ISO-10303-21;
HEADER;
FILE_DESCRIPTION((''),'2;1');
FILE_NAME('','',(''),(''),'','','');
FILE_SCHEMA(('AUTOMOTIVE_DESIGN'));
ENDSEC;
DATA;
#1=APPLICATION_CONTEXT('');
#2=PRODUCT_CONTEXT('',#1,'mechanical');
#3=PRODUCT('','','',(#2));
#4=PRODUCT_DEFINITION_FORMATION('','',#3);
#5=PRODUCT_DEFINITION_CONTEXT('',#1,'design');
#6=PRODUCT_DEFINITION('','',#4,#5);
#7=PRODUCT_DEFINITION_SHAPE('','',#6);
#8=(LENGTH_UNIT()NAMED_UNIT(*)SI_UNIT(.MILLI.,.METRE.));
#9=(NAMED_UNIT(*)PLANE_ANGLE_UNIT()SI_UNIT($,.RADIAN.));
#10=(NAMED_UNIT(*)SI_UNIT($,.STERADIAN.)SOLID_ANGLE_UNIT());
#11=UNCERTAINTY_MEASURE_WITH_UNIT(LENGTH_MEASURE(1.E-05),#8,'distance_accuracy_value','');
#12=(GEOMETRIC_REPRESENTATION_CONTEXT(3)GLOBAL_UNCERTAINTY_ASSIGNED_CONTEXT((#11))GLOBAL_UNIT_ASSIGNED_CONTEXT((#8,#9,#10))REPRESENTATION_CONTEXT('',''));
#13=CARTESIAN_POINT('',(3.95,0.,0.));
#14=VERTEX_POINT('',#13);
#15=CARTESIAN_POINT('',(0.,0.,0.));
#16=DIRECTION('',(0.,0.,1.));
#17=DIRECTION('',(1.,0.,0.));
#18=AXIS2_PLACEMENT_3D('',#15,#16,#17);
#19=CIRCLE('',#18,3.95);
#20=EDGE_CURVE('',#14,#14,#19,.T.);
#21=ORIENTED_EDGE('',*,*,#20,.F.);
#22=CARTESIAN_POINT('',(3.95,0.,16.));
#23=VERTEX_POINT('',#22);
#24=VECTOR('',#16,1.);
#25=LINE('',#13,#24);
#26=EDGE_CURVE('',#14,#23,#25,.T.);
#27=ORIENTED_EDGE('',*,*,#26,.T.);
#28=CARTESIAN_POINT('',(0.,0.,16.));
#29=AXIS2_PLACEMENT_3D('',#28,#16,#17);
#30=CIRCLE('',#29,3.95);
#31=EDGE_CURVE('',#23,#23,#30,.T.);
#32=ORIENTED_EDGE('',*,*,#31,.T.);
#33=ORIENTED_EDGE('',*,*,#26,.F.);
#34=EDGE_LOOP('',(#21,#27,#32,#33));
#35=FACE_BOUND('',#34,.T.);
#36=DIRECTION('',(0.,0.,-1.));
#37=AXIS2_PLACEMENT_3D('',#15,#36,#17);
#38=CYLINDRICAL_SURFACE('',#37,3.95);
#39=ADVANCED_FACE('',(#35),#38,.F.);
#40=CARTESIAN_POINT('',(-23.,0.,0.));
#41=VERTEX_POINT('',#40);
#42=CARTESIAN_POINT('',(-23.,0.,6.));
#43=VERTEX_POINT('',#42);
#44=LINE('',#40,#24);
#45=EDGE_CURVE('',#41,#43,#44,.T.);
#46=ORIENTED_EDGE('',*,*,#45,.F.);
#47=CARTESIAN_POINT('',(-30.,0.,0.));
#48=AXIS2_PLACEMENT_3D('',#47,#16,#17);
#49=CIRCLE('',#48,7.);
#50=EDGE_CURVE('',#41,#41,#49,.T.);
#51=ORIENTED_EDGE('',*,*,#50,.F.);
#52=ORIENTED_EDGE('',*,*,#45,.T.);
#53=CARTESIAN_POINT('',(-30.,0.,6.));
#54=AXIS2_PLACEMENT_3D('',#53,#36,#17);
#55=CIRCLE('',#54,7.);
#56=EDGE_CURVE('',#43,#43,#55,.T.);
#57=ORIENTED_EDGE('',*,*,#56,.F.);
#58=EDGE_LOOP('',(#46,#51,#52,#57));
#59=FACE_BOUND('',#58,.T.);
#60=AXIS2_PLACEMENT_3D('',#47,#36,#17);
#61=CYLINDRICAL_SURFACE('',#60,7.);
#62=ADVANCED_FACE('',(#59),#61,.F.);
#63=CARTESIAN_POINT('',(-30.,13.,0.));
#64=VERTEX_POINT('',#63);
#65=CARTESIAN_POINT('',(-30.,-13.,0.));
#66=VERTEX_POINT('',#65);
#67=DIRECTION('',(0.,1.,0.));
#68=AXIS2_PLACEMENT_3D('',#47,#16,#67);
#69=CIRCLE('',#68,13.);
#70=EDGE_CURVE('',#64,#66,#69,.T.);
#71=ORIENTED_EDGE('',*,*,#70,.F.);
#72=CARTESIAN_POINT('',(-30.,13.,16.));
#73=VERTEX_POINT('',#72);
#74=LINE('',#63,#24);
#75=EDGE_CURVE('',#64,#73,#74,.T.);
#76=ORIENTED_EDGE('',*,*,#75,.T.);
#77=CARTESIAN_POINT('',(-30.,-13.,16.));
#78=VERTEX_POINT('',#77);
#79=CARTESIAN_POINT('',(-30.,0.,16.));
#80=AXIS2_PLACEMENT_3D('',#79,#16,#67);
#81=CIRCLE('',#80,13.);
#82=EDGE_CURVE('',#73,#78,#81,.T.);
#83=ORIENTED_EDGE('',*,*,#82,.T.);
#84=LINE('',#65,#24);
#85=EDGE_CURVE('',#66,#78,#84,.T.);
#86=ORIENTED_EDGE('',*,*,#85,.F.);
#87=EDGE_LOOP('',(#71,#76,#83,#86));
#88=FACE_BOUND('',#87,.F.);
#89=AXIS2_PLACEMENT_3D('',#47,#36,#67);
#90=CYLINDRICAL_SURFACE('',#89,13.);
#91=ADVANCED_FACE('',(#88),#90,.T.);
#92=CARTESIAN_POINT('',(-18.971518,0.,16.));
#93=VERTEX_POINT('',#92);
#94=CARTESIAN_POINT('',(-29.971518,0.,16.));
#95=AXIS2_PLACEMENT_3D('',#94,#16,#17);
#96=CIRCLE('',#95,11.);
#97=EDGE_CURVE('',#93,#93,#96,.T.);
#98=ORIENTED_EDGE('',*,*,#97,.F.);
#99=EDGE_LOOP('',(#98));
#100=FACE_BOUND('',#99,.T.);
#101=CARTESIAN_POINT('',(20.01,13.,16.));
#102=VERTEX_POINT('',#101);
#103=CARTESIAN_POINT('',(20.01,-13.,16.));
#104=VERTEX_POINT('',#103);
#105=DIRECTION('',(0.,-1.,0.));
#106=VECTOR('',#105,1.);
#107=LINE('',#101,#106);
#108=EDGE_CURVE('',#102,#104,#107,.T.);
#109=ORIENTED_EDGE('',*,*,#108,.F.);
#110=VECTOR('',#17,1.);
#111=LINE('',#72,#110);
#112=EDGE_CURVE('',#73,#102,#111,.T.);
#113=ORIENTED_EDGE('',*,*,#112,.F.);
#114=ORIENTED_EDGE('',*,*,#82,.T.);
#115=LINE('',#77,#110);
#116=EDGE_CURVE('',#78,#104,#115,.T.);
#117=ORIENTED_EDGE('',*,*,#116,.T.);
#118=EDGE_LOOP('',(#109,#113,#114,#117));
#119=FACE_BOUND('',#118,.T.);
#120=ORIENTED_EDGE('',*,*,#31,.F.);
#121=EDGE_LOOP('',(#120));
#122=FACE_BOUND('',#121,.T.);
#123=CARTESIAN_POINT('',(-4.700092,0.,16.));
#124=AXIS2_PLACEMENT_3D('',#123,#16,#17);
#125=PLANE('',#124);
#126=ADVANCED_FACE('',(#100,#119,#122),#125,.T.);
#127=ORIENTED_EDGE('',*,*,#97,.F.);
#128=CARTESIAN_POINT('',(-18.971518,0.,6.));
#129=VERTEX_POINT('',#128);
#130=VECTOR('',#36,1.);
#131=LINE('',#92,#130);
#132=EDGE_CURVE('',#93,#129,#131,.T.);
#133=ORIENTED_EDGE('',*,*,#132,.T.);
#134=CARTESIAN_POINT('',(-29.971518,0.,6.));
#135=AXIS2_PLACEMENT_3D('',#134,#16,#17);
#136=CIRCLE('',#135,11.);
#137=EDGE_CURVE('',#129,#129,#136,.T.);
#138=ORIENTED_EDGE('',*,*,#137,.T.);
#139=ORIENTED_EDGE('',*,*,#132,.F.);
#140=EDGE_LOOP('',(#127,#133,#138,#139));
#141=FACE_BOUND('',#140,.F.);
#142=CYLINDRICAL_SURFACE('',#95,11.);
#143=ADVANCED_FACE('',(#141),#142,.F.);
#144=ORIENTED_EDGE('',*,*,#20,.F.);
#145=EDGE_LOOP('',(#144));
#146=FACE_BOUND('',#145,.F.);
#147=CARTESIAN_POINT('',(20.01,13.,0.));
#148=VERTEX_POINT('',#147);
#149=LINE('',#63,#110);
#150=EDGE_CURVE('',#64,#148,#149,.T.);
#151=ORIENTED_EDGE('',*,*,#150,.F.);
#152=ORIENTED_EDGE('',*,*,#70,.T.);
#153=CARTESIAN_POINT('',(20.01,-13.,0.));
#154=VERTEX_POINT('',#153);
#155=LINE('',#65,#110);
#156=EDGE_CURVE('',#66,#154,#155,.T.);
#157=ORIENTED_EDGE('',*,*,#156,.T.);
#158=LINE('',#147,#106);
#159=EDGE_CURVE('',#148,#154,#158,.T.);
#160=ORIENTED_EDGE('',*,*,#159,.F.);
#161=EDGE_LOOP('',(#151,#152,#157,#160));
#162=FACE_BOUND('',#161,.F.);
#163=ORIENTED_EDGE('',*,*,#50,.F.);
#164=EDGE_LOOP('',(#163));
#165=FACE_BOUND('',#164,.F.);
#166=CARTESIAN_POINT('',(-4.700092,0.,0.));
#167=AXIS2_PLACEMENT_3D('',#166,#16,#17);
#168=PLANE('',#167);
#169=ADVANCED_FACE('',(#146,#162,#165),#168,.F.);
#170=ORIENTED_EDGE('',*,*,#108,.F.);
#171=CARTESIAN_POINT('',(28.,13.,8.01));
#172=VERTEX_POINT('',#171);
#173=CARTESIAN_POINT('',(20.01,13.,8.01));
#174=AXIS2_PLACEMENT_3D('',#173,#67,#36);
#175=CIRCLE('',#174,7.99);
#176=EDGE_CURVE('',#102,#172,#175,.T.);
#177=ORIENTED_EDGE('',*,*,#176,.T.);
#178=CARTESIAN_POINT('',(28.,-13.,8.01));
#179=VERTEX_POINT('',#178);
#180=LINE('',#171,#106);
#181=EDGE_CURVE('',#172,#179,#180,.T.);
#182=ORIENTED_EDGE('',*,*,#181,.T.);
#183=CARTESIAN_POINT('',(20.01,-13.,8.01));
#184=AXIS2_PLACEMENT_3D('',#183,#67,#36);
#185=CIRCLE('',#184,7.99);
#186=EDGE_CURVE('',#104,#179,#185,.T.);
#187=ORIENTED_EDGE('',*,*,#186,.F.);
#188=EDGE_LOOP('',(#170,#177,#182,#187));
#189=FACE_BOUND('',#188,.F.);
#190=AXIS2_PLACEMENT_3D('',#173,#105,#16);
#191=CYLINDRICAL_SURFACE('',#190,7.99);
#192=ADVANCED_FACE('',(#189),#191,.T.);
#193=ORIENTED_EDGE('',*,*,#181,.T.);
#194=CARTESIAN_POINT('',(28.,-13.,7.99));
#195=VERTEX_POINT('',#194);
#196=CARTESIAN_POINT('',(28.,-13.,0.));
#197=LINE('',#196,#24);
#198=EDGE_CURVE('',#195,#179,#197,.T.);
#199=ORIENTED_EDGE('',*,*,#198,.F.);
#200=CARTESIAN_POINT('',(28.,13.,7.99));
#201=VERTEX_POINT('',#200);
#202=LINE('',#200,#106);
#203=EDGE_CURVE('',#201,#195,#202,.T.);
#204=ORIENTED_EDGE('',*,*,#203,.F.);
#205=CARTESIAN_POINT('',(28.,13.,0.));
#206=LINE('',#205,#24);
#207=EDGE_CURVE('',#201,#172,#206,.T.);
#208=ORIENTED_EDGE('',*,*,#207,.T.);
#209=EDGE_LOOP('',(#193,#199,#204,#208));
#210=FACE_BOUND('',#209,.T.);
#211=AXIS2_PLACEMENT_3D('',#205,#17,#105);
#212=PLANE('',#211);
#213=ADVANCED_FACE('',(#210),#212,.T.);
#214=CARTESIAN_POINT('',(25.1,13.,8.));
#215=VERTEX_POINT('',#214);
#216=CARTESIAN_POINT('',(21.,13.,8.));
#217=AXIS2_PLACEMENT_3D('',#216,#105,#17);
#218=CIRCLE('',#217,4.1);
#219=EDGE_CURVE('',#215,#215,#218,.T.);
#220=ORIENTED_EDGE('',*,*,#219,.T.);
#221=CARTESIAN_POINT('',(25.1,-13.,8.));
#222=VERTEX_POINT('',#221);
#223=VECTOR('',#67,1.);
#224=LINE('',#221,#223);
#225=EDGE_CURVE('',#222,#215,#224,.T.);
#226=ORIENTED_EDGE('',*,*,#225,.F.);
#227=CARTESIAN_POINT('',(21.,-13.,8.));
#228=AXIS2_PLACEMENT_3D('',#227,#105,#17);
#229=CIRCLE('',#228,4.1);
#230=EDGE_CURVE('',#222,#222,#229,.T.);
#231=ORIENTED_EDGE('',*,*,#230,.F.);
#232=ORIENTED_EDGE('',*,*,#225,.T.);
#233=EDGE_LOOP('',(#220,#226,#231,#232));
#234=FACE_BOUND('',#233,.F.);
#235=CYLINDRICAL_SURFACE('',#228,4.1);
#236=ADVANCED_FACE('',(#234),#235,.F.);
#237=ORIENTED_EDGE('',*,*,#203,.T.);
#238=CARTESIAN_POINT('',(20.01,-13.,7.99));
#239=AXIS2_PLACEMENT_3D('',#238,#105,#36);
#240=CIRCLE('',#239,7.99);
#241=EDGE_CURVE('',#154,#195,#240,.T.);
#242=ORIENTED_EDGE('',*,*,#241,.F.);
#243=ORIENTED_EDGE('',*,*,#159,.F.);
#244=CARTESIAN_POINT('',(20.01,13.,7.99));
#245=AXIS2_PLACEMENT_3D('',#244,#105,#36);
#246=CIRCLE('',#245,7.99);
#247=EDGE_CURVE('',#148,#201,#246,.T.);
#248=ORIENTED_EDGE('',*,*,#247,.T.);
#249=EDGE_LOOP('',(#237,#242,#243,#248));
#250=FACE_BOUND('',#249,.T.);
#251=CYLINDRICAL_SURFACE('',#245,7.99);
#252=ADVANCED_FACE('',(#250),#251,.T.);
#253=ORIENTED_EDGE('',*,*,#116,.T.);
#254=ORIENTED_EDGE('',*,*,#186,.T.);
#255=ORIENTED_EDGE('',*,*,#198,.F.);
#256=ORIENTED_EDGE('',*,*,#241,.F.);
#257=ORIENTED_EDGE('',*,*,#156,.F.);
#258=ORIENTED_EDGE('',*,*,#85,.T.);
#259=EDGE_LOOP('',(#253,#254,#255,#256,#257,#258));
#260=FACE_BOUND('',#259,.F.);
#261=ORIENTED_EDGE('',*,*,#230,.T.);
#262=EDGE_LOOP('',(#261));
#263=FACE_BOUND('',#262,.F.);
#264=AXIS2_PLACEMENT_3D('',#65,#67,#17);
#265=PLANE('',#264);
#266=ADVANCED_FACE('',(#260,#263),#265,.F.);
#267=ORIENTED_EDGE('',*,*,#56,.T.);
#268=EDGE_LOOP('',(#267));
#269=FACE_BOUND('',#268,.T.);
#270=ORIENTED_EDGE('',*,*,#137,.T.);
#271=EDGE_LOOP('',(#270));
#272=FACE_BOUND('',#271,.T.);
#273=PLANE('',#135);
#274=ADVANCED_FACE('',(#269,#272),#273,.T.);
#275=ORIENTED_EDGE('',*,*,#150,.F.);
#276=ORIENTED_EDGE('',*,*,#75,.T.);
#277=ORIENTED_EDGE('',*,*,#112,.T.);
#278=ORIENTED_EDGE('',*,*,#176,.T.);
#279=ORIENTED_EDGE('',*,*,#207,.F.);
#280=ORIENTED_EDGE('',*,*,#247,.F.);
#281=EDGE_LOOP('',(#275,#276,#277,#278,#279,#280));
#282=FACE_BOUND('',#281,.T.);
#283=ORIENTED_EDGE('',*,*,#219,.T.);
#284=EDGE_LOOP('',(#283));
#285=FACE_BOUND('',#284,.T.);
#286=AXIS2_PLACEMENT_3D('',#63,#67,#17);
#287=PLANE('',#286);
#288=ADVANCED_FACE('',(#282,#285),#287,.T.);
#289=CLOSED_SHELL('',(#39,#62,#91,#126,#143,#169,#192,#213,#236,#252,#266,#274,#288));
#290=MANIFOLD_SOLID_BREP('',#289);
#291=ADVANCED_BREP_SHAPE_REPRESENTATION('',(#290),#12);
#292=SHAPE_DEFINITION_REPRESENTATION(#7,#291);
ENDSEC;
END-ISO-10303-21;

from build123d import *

# Parameters (mm, degrees)
SKETCH002_R  = 11
PAD002_DEPTH = 10
SKETCH001_R  = 4.1
PAD001_DEPTH = 26
SKETCH_R     = 7
SKETCH_R_2   = 3.95
PAD_DEPTH    = 16
FILLET_R     = 7.99


with BuildPart() as pad002:
    # Sketch002 → Pad002 (new body)
    with BuildSketch(Plane.XY.offset(16)):
        with Locations((-29.971518, 0)):
            Circle(SKETCH002_R)
    extrude(amount=-PAD002_DEPTH)


with BuildPart() as cutblock:
    # Sketch001 → Pad001 (new body)
    with BuildSketch(Plane.XZ.offset(13)):
        with Locations((21, 8)):
            Circle(SKETCH001_R)
    extrude(amount=-PAD001_DEPTH)

    # Fusion: union Pad002
    add(pad002.part)


with BuildPart() as fillet_body:
    # Sketch → Pad (new body)
    with BuildSketch(Plane.XY):
        with BuildLine():
            ThreePointArc((-30, 13), (-43, 0), (-30, -13))
            Line((-30, -13), (28, -13))
            Line((28, 13), (28, -13))
            Line((-30, 13), (28, 13))
        make_face()
        with Locations((-30, 0)):
            Circle(SKETCH_R, mode=Mode.SUBTRACT)
        Circle(SKETCH_R_2, mode=Mode.SUBTRACT)
    extrude(amount=PAD_DEPTH)

    # Cut: cut CutBlock
    add(cutblock.part, mode=Mode.SUBTRACT)

    # Fillet
    fillet_edges = [fillet_body.edges().sort_by_distance(p)[0] for p in [
        (28, 0, 16),
        (28, 0, 0),
    ]]
    fillet(fillet_edges, radius=FILLET_R)


solid = fillet_body.part
